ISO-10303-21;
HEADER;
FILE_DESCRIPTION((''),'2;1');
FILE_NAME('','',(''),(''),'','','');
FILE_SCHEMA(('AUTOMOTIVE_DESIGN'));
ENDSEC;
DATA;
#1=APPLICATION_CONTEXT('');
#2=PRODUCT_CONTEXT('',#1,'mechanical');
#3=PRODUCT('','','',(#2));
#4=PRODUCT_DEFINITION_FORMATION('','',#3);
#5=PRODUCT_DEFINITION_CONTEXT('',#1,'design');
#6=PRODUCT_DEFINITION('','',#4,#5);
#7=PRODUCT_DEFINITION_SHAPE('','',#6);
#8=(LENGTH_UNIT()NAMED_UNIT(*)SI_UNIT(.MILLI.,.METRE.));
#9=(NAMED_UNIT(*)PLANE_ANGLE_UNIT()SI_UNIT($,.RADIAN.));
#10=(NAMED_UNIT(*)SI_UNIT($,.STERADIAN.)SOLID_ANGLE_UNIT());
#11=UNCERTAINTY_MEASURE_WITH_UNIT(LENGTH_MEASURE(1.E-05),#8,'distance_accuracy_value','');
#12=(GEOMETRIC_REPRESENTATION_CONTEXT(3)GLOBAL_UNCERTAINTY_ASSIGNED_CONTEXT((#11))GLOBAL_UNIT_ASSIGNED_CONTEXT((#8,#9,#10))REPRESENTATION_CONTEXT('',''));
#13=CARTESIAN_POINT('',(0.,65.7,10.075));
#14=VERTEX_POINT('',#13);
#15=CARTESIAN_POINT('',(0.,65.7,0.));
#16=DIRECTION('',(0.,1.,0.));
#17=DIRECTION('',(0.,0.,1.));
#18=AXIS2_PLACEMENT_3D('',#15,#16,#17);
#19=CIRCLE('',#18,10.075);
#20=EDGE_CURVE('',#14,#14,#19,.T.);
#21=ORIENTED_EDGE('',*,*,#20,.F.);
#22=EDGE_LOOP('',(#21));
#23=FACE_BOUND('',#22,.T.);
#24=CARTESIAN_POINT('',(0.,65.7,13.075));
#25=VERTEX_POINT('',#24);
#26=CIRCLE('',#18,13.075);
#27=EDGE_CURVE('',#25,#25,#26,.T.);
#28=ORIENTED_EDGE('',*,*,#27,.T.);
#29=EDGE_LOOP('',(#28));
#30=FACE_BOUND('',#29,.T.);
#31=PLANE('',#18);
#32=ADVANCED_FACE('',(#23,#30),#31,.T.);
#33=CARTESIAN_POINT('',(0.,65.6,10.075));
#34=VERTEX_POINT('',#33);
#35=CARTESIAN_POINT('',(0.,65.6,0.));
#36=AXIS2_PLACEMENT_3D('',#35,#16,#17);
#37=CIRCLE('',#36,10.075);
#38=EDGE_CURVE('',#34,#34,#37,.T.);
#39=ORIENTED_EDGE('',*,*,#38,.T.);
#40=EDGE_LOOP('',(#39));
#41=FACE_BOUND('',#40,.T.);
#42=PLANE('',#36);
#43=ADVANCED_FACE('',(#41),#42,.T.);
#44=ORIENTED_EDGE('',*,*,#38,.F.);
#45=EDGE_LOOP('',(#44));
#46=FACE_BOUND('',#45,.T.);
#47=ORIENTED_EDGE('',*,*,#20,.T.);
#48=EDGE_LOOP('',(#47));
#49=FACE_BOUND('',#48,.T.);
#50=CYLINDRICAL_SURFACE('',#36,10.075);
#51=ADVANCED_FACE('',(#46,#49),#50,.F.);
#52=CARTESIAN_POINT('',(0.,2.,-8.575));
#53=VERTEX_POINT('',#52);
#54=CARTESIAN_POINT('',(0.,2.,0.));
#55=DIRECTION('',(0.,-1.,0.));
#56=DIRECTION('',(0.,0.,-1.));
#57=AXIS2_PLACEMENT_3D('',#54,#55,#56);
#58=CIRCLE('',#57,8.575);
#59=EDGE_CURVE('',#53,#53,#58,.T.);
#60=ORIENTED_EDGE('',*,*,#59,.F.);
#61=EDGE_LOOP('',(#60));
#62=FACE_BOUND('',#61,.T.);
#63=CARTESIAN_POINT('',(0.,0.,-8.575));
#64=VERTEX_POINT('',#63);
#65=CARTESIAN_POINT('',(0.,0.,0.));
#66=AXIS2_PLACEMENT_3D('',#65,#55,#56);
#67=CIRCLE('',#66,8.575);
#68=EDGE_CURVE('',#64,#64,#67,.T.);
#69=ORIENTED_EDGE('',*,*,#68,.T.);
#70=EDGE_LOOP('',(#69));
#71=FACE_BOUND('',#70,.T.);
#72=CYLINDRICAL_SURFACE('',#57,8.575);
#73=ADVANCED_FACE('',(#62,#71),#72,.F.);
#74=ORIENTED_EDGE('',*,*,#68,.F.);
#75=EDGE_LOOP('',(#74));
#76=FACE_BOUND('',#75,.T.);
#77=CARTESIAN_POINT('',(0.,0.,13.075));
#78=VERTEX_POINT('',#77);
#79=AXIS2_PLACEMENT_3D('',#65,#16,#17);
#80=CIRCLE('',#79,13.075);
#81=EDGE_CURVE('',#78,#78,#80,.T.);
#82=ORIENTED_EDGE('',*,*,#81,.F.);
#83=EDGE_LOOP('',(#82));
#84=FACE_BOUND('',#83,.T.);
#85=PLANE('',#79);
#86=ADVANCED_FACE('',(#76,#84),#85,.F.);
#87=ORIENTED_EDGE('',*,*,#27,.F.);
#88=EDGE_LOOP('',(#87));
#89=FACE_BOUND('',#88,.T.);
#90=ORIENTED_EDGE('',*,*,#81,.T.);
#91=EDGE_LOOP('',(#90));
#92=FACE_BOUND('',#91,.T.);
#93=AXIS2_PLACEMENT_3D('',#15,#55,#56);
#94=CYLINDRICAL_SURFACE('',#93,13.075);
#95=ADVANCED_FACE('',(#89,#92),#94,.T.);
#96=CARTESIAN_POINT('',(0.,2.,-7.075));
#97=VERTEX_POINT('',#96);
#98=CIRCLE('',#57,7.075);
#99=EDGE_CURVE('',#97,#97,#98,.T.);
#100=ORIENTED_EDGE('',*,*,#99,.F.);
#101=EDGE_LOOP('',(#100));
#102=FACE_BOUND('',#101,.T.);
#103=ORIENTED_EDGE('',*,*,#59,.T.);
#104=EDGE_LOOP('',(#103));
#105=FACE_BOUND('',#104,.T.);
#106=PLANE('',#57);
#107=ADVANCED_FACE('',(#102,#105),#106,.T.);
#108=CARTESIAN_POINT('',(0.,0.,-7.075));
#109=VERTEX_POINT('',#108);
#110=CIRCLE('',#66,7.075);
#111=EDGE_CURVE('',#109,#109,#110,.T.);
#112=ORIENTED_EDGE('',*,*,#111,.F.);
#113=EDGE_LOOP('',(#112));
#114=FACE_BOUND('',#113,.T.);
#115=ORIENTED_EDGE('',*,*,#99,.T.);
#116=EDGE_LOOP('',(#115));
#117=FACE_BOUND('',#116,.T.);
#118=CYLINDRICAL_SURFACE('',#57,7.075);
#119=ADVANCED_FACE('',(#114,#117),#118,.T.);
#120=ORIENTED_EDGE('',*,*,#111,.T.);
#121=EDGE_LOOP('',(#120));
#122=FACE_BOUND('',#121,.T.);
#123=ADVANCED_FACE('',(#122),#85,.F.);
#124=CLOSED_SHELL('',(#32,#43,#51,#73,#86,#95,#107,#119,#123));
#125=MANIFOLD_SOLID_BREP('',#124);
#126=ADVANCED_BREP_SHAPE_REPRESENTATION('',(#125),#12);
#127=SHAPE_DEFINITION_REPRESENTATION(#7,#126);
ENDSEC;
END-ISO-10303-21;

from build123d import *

# Parameters (mm, degrees)
ESQUISSE1_R             = 13.075
BOSS_EXTRU_1_DEPTH      = 65.7
ESQUISSE2_R             = 10.075
ENL_V_MAT_EXTRU_1_DEPTH = 0.1
ESQUISSE3_R             = 8.575
ESQUISSE3_R_2           = 7.075
ENL_V_MAT_EXTRU_2_DEPTH = 2


with BuildPart() as part:
    # Esquisse1 → Boss.-Extru.1 (new body)
    with BuildSketch(Plane(origin=(0, 0, 0), x_dir=(1, 0, 0), z_dir=(0, 1, 0))):
        Circle(ESQUISSE1_R)
    extrude(amount=BOSS_EXTRU_1_DEPTH)

    # Esquisse2 → Enlèv. mat.-Extru.1 (cut)
    with BuildSketch(Plane(origin=(0, 65.7, 0), x_dir=(1, 0, 0), z_dir=(0, 1, 0))):
        Circle(ESQUISSE2_R)
    extrude(amount=-ENL_V_MAT_EXTRU_1_DEPTH, mode=Mode.SUBTRACT)

    # Esquisse3 → Enlèv. mat.-Extru.2 (cut)
    with BuildSketch(Plane.XZ):
        Circle(ESQUISSE3_R)
        Circle(ESQUISSE3_R_2, mode=Mode.SUBTRACT)
    extrude(amount=-ENL_V_MAT_EXTRU_2_DEPTH, mode=Mode.SUBTRACT)


solid = part.part
